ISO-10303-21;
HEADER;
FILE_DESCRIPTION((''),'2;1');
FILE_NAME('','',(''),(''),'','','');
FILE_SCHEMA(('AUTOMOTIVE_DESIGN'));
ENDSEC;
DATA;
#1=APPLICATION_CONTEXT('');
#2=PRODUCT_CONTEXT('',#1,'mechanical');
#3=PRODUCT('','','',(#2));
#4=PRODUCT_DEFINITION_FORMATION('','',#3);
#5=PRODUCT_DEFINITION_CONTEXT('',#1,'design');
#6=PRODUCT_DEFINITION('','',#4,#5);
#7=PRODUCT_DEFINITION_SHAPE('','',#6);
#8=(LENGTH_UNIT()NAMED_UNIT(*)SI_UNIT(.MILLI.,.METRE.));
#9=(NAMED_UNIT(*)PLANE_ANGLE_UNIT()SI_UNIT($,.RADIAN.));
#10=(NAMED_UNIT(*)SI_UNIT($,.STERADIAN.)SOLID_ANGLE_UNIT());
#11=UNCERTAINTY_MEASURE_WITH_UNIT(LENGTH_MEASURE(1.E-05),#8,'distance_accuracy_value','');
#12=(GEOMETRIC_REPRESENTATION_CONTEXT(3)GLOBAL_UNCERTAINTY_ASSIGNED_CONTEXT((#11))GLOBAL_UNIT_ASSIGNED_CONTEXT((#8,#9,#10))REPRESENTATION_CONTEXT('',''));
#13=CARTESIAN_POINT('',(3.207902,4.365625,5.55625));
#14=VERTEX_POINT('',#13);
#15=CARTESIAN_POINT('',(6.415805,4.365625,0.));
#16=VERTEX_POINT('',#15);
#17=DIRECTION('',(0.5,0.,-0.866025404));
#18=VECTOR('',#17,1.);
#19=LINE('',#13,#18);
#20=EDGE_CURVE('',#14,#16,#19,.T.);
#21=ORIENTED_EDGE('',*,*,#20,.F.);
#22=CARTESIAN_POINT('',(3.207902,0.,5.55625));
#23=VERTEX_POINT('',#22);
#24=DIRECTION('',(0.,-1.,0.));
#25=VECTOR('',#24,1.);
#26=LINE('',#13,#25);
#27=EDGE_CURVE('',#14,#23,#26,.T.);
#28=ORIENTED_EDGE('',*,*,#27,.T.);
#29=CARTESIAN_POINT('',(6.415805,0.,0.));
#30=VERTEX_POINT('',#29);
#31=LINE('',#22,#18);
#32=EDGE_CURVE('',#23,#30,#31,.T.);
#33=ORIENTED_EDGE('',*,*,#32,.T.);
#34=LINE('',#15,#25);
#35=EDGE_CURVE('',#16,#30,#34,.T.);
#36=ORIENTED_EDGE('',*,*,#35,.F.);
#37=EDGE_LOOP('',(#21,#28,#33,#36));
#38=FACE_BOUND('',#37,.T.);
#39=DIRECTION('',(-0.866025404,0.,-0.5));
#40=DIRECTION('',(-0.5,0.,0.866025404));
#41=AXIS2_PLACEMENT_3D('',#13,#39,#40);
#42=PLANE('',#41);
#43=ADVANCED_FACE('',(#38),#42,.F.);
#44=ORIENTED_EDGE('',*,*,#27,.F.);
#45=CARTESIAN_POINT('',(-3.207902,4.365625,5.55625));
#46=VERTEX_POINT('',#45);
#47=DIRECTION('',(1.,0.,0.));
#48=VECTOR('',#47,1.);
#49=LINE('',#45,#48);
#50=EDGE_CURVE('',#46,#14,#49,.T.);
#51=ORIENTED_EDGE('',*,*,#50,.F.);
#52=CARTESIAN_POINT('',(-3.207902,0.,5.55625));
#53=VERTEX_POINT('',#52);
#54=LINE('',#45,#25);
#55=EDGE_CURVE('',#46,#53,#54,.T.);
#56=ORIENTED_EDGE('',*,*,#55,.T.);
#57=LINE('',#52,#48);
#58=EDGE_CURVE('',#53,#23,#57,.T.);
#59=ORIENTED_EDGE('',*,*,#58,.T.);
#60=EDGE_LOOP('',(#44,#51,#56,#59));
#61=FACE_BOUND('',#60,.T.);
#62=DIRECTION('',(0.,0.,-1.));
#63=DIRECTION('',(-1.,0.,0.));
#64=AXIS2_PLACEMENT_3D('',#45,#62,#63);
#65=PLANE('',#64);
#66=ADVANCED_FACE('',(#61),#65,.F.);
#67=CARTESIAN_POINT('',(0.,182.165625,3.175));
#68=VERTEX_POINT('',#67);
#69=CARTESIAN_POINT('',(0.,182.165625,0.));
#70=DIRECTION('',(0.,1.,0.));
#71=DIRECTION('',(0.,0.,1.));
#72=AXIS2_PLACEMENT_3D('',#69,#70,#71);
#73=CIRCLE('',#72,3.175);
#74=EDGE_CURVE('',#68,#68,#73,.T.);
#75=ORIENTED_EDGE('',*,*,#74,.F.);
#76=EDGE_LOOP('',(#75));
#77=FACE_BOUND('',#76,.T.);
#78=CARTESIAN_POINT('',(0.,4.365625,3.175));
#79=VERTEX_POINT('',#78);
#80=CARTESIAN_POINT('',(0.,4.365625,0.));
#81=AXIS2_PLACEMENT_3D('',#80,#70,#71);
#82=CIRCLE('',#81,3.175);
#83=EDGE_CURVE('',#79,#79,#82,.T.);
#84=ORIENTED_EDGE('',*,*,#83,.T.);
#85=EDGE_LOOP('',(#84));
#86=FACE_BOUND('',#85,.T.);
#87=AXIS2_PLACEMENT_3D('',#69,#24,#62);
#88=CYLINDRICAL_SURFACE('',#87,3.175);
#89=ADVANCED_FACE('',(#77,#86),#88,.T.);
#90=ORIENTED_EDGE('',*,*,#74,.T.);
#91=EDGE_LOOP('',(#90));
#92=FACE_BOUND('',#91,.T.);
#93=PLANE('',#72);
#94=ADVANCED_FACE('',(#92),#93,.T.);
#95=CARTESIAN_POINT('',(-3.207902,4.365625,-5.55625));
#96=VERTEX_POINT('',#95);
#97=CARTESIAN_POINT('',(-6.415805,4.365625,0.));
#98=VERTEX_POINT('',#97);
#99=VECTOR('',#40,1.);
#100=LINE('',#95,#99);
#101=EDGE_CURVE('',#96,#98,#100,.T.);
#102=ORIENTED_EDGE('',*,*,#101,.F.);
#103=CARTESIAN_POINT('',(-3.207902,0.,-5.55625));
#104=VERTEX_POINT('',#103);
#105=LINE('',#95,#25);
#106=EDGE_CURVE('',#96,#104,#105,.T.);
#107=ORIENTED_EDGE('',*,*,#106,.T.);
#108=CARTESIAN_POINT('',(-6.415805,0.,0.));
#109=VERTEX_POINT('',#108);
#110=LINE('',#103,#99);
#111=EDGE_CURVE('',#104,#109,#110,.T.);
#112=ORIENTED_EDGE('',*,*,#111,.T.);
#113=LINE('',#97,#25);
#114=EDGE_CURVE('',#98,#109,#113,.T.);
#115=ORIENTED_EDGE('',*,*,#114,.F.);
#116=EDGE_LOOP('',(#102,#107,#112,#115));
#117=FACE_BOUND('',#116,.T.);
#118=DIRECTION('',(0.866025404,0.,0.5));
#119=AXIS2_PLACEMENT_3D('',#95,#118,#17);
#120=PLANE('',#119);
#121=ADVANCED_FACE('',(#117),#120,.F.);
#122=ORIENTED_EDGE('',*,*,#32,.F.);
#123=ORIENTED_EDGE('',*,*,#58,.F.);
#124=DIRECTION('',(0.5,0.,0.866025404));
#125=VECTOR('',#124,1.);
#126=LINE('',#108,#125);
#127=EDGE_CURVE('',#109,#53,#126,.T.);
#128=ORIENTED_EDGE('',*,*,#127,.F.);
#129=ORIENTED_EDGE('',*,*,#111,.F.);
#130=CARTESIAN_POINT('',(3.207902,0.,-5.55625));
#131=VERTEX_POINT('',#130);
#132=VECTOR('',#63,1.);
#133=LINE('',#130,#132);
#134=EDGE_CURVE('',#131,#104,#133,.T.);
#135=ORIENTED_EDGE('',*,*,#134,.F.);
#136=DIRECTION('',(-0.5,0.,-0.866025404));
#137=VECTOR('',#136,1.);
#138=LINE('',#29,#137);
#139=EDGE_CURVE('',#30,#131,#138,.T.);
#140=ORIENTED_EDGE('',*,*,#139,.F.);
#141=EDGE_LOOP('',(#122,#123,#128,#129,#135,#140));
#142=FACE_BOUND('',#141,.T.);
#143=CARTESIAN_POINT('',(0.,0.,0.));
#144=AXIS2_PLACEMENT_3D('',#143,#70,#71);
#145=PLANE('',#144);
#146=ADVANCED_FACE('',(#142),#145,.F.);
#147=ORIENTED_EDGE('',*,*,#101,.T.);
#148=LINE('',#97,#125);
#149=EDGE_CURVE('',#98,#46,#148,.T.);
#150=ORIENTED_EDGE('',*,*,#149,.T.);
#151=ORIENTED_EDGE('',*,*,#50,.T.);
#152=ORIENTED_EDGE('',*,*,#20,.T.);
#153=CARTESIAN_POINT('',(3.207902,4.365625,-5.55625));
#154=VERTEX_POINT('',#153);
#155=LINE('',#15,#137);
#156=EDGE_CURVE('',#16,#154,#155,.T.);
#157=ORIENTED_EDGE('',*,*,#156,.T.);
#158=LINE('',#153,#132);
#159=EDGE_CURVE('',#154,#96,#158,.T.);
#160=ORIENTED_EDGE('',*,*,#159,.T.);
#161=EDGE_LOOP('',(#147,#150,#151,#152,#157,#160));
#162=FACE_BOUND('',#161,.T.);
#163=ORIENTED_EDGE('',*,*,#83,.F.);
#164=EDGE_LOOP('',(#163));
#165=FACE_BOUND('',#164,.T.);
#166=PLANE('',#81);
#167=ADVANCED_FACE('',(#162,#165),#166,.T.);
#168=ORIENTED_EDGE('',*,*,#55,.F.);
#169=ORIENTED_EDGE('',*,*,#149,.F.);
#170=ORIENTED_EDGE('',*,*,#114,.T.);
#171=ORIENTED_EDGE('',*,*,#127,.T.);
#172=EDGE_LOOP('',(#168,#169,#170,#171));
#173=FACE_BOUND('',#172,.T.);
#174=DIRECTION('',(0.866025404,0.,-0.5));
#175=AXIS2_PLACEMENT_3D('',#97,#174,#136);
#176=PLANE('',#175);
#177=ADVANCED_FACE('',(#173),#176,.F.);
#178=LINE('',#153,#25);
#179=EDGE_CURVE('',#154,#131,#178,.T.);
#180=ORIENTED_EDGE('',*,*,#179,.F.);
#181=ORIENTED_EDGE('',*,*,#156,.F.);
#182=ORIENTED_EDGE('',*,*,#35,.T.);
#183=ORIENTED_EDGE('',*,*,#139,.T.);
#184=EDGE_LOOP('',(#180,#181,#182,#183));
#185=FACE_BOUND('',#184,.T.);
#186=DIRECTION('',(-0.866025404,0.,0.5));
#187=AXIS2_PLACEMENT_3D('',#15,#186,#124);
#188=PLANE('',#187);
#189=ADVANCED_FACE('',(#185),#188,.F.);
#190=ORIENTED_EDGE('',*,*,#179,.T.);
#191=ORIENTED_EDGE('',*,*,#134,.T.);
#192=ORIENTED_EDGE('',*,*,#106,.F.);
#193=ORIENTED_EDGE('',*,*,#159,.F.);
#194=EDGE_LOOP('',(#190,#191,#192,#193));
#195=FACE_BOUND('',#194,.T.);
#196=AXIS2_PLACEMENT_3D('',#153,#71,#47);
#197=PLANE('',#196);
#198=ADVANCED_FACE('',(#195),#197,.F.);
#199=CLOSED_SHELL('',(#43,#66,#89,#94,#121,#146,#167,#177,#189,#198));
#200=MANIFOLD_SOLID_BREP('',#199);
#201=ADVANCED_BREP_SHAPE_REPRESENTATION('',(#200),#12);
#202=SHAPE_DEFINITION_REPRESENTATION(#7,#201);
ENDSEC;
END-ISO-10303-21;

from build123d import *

# Parameters (mm, degrees)
BOSS_EXTRUDE1_DEPTH = 4.365625
SKETCH2_R           = 3.175
BOSS_EXTRUDE2_DEPTH = 177.8


with BuildPart() as part:
    # Sketch1 → Boss-Extrude1 (new body)
    with BuildSketch(Plane(origin=(0, 0, 0), x_dir=(1, 0, 0), z_dir=(0, 1, 0))):
        Polygon((6.415804866, 0), (3.207902433, 5.55625), (-3.207902433, 5.55625), (-6.415804866, 0), (-3.207902433, -5.55625), (3.207902433, -5.55625), align=None)
    extrude(amount=BOSS_EXTRUDE1_DEPTH)

    # Sketch2 → Boss-Extrude2 (add)
    with BuildSketch(Plane(origin=(0, 4.365625, 0), x_dir=(1, 0, 0), z_dir=(0, 1, 0))):
        Circle(SKETCH2_R)
    extrude(amount=BOSS_EXTRUDE2_DEPTH)


solid = part.part
